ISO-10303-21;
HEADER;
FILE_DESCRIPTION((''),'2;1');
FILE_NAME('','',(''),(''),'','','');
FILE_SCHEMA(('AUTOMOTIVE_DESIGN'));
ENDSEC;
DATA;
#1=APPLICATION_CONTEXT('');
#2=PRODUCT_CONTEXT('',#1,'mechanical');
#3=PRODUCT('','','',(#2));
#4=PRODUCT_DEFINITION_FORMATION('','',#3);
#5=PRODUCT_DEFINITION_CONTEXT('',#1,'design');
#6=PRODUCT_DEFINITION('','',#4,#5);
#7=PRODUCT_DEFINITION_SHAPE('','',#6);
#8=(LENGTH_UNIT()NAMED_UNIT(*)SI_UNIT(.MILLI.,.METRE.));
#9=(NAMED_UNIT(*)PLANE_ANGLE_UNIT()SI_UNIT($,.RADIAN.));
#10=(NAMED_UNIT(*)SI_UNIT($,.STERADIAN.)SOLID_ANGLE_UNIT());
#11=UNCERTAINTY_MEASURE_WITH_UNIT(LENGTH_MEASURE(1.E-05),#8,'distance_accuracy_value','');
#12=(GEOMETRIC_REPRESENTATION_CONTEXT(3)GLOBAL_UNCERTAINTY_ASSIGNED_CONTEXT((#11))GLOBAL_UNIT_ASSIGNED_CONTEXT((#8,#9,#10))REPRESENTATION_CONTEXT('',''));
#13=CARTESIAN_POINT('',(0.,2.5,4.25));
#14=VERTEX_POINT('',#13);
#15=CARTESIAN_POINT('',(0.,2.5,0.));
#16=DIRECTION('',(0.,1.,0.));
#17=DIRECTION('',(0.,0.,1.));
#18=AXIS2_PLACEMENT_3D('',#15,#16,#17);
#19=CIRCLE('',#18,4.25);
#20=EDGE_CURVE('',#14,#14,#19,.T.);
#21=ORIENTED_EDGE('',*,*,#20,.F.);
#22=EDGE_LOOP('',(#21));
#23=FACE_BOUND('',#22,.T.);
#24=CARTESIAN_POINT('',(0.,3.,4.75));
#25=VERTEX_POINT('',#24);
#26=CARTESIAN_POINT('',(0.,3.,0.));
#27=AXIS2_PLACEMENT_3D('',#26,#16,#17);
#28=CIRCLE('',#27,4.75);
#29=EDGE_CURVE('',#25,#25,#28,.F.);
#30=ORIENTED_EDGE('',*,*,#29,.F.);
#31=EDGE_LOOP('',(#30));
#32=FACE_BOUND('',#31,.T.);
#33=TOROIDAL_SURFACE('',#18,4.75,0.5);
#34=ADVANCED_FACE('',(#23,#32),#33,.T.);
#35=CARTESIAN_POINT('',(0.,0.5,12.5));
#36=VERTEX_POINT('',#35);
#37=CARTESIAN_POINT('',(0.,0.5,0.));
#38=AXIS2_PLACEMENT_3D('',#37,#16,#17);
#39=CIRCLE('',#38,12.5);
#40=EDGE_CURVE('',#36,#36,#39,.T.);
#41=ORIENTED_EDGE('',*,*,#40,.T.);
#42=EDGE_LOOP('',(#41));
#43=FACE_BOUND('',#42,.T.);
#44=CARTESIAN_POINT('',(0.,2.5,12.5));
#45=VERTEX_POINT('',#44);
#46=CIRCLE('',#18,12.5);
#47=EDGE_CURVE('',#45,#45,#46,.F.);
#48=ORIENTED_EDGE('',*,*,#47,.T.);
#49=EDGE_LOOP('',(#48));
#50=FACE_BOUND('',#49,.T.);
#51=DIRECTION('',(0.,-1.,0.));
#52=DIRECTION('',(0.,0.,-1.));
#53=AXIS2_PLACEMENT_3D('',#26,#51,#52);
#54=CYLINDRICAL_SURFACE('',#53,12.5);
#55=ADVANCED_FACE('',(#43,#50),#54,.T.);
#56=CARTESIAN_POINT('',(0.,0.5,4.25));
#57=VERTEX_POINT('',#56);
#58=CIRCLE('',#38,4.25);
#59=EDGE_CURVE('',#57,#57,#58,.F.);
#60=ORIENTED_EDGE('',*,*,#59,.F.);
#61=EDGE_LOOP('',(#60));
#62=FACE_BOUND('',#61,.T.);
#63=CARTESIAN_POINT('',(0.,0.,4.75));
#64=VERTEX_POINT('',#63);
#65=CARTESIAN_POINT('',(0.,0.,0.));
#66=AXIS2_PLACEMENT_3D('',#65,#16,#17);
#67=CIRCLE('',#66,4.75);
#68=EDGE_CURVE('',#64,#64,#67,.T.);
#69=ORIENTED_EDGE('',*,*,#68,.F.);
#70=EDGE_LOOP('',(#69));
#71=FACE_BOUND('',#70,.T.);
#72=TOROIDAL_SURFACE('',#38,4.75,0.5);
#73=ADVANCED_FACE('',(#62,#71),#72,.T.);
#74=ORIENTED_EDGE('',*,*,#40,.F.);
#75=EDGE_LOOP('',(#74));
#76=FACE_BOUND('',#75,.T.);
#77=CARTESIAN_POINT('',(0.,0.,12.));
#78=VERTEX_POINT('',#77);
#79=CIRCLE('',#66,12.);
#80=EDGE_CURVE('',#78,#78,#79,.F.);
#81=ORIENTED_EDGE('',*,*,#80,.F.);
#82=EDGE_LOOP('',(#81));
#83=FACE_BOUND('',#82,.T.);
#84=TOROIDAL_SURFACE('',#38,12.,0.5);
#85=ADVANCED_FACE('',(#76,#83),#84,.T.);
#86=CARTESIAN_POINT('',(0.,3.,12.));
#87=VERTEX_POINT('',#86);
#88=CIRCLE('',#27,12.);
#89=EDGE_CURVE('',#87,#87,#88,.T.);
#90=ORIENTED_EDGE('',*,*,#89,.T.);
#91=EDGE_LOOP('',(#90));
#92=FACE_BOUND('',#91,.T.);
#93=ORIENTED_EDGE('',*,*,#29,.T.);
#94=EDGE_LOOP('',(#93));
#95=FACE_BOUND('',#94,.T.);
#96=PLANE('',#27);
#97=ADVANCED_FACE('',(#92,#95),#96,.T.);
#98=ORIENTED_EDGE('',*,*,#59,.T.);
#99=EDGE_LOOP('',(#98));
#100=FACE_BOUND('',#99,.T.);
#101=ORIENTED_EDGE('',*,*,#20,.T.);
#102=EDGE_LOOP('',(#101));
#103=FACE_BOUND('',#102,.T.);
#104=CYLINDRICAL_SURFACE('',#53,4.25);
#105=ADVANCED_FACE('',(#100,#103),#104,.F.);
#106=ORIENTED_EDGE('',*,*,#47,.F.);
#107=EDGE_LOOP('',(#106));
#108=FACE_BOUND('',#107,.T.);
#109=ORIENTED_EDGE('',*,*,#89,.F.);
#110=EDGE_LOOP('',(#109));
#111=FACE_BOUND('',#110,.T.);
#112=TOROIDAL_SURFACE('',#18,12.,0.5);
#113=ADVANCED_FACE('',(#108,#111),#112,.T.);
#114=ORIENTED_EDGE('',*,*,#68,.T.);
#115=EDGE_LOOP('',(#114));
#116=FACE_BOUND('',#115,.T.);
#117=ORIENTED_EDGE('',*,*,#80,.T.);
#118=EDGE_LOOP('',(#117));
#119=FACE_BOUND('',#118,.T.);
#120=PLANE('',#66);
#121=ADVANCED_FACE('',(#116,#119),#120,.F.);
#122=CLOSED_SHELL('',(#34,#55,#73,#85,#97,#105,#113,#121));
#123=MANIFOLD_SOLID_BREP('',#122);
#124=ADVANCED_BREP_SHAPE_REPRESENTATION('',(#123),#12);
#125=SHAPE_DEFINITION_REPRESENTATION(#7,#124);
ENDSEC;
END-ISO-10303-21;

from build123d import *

# Parameters (mm, degrees)
CROQUIS1_R              = 12.5
CROQUIS1_R_2            = 4.25
SALIENTE_EXTRUIR1_DEPTH = 3
REDONDEO1_R             = 0.5


with BuildPart() as part:
    # Croquis1 → Saliente-Extruir1 (new body)
    with BuildSketch(Plane(origin=(0, 0, 0), x_dir=(1, 0, 0), z_dir=(0, 1, 0))):
        with Locations(Location((0, 0, 0), (0, 0, 270))):
            Circle(CROQUIS1_R)
        with Locations(Location((0, 0, 0), (0, 0, 270))):
            Circle(CROQUIS1_R_2, mode=Mode.SUBTRACT)
    extrude(amount=SALIENTE_EXTRUIR1_DEPTH)

    # Redondeo1
    redondeo1_edges = [part.edges().sort_by_distance(p)[0] for p in [
        (0, 0, -12.5),
        (0, 3, -12.5),
        (0, 0, -4.25),
        (0, 3, -4.25),
    ]]
    fillet(redondeo1_edges, radius=REDONDEO1_R)


solid = part.part
